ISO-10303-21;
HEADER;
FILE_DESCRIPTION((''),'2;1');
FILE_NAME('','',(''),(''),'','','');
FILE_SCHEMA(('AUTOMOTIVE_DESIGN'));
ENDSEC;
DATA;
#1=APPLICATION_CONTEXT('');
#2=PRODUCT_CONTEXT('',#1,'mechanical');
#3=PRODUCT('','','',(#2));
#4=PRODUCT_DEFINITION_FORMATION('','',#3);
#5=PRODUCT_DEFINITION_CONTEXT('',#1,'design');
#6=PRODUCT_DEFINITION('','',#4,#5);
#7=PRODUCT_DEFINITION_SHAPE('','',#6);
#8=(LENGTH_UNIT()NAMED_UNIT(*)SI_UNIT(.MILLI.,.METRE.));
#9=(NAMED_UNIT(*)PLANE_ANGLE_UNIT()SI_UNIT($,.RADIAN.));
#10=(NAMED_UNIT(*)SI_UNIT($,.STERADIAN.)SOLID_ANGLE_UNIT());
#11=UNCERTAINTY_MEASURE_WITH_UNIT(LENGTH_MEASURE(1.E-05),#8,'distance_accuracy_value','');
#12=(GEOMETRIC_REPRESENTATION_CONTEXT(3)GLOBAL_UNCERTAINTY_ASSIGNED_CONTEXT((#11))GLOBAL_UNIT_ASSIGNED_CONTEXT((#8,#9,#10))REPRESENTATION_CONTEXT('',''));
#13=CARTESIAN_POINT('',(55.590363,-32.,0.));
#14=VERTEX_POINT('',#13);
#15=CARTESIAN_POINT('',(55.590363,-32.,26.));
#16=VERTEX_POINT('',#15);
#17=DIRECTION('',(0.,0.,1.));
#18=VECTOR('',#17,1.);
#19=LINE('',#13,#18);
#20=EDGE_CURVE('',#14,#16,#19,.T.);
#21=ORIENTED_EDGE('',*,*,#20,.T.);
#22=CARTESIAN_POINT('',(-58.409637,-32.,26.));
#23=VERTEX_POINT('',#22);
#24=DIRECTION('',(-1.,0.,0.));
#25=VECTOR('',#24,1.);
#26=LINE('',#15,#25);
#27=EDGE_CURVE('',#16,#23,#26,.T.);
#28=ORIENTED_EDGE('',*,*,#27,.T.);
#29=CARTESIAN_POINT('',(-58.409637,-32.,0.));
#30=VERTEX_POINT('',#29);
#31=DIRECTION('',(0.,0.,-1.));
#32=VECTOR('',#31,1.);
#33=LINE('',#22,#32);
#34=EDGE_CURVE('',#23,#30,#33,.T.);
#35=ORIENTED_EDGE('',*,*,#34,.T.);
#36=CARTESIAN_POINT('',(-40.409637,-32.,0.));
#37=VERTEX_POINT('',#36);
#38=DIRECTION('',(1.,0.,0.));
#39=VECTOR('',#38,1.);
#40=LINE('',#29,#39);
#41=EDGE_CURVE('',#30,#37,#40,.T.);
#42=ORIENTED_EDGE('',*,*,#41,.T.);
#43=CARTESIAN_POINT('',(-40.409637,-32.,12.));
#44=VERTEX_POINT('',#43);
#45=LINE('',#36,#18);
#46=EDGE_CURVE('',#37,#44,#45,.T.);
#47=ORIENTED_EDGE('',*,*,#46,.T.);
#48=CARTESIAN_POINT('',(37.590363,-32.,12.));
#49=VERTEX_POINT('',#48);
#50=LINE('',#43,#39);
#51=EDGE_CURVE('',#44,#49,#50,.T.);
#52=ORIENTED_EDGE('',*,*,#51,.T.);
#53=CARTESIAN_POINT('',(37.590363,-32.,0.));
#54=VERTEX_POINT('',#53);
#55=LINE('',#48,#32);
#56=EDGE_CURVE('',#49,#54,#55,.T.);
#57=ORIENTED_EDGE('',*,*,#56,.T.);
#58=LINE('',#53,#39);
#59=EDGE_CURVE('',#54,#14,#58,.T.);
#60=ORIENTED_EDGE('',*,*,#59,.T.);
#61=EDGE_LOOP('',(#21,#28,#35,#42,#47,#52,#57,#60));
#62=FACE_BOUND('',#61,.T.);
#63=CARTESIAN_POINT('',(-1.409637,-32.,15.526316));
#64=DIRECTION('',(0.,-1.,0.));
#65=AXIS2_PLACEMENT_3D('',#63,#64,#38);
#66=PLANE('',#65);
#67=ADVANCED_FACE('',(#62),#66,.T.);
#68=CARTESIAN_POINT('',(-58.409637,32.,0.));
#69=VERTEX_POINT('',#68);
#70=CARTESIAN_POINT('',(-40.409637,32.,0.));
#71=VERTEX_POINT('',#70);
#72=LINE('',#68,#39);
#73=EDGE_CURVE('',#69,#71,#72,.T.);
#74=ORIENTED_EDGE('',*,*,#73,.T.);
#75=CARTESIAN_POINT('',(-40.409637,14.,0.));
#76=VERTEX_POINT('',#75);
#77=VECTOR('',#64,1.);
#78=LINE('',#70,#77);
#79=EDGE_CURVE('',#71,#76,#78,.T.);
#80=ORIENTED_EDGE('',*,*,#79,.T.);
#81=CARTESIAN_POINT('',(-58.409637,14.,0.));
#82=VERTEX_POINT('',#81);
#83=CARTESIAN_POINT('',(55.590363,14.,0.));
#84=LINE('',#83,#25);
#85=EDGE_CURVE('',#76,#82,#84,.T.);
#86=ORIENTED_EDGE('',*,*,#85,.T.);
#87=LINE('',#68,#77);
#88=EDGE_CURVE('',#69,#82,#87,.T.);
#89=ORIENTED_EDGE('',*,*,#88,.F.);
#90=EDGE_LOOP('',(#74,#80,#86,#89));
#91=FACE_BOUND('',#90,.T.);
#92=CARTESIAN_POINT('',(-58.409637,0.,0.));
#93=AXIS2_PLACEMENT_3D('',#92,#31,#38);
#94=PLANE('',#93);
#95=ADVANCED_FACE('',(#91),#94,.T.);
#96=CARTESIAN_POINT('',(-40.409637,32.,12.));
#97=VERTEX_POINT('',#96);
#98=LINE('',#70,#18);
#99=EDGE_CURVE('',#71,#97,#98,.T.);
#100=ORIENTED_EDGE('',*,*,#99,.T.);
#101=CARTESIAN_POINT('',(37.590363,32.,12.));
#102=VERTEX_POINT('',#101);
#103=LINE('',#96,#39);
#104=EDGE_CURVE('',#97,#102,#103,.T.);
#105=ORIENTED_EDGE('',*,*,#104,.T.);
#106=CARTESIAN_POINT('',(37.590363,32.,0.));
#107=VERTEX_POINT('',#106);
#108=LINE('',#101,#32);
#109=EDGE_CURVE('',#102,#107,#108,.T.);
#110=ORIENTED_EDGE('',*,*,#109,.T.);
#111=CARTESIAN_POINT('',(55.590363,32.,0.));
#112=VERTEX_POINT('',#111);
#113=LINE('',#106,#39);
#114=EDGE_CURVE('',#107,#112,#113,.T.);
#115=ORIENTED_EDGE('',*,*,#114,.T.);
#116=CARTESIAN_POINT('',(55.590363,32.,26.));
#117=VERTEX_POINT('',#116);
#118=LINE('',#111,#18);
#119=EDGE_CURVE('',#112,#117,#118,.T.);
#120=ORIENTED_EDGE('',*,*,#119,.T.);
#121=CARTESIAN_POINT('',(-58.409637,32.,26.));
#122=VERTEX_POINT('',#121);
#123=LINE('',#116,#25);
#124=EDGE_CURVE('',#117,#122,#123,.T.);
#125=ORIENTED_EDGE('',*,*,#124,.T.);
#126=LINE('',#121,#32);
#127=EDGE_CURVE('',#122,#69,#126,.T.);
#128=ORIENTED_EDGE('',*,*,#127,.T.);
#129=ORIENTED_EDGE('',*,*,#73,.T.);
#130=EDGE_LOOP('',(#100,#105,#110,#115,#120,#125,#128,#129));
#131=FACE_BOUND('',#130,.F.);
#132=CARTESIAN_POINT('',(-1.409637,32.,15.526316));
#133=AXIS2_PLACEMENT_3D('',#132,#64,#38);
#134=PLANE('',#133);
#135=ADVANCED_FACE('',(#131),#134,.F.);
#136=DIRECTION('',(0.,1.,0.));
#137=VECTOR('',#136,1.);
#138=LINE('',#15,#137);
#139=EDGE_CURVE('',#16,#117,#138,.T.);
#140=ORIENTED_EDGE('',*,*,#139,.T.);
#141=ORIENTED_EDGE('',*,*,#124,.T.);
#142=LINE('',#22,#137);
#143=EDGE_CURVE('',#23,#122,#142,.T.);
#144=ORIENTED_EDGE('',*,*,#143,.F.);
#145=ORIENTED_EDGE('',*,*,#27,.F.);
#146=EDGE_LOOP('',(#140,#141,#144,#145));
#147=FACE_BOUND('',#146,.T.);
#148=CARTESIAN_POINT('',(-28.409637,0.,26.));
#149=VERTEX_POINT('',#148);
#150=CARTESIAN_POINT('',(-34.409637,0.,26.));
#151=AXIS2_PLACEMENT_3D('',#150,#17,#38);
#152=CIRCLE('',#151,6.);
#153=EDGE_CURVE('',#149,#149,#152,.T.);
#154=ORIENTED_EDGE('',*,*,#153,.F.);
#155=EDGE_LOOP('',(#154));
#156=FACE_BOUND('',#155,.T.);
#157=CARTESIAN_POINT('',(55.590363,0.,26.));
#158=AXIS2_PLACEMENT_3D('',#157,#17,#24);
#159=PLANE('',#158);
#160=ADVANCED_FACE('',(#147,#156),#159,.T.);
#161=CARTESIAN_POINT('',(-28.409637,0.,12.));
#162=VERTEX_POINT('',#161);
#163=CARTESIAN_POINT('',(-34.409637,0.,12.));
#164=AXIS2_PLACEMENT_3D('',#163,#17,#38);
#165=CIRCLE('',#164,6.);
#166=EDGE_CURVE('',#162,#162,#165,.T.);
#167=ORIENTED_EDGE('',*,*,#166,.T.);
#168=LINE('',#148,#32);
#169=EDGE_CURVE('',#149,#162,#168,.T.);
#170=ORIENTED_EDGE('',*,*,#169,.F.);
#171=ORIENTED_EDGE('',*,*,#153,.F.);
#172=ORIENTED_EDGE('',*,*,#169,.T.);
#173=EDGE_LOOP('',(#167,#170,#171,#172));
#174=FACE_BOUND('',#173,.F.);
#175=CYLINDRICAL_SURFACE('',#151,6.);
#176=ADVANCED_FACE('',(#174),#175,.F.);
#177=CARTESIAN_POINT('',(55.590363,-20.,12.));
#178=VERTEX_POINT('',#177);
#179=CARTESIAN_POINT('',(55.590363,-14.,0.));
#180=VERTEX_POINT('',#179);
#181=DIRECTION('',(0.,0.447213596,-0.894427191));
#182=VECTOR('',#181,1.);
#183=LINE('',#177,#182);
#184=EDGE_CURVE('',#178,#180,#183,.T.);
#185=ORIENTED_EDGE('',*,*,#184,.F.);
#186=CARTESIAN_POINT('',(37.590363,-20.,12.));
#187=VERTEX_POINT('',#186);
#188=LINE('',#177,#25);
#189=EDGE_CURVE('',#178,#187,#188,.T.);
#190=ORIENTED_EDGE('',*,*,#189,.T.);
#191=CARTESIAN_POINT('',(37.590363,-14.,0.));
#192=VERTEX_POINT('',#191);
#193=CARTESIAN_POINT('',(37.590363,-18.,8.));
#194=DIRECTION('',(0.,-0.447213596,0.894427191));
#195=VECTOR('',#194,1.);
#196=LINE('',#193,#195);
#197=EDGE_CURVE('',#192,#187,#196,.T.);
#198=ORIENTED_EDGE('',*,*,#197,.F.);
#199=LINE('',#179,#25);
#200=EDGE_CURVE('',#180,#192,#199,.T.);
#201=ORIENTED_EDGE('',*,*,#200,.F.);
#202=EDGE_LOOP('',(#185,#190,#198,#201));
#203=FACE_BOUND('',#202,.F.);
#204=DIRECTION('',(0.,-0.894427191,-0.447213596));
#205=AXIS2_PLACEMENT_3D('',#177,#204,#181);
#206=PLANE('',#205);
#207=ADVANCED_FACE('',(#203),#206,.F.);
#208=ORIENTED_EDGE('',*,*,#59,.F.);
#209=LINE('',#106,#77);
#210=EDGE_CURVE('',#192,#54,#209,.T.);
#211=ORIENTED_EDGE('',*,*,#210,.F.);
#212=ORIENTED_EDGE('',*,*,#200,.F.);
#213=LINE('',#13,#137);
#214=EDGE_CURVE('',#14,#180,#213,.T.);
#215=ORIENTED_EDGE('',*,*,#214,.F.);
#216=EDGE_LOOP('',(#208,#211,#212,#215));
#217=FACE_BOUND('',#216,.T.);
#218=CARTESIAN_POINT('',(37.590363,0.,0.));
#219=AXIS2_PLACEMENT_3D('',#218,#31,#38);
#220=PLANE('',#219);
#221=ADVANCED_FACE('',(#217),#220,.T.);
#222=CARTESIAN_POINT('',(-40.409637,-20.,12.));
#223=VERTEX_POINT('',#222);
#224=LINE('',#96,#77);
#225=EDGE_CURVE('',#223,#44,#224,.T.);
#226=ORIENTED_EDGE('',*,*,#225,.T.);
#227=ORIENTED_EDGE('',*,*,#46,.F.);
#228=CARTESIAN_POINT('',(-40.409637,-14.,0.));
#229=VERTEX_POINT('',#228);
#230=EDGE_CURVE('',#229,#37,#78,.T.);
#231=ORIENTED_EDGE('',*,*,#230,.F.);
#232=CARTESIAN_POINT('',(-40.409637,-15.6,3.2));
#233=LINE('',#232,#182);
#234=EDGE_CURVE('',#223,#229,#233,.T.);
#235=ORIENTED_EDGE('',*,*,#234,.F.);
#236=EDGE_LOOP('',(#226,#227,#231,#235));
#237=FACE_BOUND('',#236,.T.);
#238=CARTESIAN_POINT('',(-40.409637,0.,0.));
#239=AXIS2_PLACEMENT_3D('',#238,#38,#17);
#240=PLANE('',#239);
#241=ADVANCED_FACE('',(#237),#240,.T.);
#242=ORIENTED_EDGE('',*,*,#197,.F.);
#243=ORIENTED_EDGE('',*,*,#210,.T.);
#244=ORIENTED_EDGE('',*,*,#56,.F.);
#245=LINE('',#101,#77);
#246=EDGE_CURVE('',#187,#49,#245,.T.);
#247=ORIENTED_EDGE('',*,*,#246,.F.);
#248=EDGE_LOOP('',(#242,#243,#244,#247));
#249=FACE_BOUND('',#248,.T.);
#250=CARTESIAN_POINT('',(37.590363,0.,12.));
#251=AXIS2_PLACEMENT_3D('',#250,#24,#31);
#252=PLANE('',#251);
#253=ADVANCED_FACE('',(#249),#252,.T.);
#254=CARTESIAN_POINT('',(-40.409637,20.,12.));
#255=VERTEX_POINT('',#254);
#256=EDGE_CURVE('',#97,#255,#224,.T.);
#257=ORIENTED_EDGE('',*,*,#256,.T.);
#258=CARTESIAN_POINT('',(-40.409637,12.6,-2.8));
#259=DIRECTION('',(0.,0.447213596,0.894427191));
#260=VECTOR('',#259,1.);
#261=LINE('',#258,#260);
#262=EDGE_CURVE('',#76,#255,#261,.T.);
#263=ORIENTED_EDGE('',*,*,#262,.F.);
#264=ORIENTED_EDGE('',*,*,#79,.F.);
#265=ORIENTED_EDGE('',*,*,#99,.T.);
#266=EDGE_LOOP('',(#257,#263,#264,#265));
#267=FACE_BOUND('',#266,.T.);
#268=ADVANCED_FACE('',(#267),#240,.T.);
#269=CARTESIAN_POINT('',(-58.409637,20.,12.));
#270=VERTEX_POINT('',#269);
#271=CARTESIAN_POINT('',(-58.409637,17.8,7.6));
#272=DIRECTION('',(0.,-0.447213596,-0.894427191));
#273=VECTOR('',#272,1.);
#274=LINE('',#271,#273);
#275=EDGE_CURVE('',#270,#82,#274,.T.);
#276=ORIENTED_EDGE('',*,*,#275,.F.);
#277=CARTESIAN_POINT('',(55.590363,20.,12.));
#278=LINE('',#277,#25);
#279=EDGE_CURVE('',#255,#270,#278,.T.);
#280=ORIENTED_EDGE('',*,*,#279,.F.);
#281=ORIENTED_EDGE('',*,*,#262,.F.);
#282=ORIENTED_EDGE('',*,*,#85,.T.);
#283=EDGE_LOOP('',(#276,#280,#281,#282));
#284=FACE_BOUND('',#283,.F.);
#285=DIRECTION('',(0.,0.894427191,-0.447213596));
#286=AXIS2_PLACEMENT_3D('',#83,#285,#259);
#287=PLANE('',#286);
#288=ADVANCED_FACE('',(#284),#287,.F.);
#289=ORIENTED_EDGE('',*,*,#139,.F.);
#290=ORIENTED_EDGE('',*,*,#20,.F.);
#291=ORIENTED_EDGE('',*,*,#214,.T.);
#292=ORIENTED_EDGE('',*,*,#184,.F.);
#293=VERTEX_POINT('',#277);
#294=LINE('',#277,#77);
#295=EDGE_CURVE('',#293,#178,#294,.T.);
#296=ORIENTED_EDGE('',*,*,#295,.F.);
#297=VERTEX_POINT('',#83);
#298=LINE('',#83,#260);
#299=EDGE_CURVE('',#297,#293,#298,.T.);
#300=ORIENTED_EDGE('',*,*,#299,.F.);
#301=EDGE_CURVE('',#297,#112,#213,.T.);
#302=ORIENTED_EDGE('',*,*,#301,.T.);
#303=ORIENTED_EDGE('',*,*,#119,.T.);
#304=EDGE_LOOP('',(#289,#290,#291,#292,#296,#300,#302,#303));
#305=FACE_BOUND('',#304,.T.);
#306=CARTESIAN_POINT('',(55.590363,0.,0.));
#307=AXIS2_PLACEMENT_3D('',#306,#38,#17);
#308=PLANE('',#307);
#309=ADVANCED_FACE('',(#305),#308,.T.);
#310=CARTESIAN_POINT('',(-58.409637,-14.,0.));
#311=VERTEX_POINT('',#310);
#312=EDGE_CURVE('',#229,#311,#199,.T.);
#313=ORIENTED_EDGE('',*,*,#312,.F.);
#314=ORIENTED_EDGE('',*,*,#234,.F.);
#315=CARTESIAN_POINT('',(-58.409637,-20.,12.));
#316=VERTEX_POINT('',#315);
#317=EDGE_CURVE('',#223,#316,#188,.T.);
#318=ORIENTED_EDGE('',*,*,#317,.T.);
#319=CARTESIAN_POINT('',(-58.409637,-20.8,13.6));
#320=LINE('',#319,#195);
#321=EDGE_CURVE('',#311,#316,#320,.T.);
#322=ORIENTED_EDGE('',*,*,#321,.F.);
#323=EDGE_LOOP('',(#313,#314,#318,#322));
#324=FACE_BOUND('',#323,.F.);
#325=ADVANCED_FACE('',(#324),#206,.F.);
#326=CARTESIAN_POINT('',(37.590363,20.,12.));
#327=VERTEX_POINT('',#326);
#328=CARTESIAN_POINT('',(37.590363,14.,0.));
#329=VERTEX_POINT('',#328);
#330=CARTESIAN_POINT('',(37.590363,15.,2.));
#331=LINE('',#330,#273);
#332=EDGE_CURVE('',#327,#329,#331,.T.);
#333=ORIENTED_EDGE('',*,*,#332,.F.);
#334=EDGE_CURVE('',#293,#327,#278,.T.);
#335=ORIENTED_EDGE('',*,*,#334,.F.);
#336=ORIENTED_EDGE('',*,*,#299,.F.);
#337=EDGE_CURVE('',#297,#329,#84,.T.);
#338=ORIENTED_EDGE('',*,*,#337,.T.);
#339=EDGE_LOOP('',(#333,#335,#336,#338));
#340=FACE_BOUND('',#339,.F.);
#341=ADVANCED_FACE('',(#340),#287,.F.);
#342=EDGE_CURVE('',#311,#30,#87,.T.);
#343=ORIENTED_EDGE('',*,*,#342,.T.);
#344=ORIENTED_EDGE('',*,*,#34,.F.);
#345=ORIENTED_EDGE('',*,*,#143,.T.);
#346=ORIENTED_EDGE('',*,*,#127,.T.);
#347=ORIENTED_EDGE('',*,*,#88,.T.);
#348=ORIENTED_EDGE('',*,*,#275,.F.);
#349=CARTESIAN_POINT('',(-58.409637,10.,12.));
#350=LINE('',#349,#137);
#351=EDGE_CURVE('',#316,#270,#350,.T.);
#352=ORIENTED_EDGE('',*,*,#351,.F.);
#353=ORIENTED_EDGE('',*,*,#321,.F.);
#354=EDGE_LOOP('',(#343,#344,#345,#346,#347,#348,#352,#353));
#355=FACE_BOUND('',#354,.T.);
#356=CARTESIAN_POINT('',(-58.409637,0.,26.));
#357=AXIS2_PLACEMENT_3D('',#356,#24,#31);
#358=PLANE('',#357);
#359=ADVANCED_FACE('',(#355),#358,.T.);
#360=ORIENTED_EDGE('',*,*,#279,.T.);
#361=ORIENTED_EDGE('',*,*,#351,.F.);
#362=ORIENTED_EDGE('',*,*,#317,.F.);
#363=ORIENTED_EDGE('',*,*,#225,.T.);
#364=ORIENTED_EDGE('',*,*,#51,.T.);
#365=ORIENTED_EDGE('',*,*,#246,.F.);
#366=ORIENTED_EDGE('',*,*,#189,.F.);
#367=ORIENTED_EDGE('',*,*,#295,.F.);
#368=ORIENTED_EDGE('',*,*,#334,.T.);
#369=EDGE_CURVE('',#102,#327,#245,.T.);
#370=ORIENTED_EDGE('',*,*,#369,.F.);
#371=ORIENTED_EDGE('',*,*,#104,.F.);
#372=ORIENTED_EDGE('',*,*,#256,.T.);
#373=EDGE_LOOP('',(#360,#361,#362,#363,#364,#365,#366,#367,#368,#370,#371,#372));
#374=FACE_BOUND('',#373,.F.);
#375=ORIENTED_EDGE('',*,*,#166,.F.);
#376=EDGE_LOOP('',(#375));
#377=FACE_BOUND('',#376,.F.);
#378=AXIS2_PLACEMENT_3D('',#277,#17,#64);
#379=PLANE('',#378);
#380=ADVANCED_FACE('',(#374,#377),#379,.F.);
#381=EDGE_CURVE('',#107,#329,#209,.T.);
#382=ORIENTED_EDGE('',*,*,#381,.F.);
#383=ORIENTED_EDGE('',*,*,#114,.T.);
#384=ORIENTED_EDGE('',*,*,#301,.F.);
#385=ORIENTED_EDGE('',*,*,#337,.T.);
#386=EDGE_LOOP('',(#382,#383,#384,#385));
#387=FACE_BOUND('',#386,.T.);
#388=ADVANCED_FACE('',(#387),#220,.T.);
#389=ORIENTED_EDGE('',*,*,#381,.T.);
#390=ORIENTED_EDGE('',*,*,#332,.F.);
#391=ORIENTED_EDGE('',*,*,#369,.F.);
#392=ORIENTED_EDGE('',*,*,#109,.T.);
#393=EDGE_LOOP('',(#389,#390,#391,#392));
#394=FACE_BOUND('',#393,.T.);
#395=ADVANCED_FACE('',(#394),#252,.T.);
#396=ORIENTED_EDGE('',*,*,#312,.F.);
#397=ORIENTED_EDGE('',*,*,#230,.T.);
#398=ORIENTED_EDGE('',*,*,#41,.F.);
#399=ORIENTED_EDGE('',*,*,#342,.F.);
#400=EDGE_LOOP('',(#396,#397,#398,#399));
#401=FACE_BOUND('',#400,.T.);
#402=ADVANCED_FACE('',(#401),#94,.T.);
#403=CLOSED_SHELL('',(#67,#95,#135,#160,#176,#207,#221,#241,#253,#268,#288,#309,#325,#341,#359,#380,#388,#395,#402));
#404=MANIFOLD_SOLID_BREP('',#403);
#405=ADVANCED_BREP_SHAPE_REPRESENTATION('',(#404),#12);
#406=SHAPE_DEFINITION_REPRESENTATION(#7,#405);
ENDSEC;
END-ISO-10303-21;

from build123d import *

# Parameters (mm, degrees)
F1_DEPTH = 32
F2_R     = 6
F3_DEPTH = 25
F6_DEPTH = 1000


with BuildPart() as f1:
    # F0 (on Front) → F1 (new body, symmetric)
    with BuildSketch(Plane.XZ):
        Polygon((-58.409637, 26), (-58.409637, 0), (-40.409637, 0), (-40.409637, 12), (37.590363, 12), (37.590363, 0), (55.590363, 0), (55.590363, 26), align=None)
    extrude(amount=F1_DEPTH, both=True)

    # F2 (on face) → F3 (cut)
    with BuildSketch(Plane.XY.offset(26)):
        with Locations((-34.409637, 0)):
            Circle(F2_R)
    extrude(amount=-F3_DEPTH, mode=Mode.SUBTRACT)

    # F5 (on face) → F6 (cut)
    with BuildSketch(Plane.YZ.offset(55.590363)):
        Polygon((-14, 0), (0, 0), (14, 0), (20, 12), (0, 12), (-20, 12), align=None)
    extrude(amount=-F6_DEPTH, mode=Mode.SUBTRACT)


solid = f1.part
